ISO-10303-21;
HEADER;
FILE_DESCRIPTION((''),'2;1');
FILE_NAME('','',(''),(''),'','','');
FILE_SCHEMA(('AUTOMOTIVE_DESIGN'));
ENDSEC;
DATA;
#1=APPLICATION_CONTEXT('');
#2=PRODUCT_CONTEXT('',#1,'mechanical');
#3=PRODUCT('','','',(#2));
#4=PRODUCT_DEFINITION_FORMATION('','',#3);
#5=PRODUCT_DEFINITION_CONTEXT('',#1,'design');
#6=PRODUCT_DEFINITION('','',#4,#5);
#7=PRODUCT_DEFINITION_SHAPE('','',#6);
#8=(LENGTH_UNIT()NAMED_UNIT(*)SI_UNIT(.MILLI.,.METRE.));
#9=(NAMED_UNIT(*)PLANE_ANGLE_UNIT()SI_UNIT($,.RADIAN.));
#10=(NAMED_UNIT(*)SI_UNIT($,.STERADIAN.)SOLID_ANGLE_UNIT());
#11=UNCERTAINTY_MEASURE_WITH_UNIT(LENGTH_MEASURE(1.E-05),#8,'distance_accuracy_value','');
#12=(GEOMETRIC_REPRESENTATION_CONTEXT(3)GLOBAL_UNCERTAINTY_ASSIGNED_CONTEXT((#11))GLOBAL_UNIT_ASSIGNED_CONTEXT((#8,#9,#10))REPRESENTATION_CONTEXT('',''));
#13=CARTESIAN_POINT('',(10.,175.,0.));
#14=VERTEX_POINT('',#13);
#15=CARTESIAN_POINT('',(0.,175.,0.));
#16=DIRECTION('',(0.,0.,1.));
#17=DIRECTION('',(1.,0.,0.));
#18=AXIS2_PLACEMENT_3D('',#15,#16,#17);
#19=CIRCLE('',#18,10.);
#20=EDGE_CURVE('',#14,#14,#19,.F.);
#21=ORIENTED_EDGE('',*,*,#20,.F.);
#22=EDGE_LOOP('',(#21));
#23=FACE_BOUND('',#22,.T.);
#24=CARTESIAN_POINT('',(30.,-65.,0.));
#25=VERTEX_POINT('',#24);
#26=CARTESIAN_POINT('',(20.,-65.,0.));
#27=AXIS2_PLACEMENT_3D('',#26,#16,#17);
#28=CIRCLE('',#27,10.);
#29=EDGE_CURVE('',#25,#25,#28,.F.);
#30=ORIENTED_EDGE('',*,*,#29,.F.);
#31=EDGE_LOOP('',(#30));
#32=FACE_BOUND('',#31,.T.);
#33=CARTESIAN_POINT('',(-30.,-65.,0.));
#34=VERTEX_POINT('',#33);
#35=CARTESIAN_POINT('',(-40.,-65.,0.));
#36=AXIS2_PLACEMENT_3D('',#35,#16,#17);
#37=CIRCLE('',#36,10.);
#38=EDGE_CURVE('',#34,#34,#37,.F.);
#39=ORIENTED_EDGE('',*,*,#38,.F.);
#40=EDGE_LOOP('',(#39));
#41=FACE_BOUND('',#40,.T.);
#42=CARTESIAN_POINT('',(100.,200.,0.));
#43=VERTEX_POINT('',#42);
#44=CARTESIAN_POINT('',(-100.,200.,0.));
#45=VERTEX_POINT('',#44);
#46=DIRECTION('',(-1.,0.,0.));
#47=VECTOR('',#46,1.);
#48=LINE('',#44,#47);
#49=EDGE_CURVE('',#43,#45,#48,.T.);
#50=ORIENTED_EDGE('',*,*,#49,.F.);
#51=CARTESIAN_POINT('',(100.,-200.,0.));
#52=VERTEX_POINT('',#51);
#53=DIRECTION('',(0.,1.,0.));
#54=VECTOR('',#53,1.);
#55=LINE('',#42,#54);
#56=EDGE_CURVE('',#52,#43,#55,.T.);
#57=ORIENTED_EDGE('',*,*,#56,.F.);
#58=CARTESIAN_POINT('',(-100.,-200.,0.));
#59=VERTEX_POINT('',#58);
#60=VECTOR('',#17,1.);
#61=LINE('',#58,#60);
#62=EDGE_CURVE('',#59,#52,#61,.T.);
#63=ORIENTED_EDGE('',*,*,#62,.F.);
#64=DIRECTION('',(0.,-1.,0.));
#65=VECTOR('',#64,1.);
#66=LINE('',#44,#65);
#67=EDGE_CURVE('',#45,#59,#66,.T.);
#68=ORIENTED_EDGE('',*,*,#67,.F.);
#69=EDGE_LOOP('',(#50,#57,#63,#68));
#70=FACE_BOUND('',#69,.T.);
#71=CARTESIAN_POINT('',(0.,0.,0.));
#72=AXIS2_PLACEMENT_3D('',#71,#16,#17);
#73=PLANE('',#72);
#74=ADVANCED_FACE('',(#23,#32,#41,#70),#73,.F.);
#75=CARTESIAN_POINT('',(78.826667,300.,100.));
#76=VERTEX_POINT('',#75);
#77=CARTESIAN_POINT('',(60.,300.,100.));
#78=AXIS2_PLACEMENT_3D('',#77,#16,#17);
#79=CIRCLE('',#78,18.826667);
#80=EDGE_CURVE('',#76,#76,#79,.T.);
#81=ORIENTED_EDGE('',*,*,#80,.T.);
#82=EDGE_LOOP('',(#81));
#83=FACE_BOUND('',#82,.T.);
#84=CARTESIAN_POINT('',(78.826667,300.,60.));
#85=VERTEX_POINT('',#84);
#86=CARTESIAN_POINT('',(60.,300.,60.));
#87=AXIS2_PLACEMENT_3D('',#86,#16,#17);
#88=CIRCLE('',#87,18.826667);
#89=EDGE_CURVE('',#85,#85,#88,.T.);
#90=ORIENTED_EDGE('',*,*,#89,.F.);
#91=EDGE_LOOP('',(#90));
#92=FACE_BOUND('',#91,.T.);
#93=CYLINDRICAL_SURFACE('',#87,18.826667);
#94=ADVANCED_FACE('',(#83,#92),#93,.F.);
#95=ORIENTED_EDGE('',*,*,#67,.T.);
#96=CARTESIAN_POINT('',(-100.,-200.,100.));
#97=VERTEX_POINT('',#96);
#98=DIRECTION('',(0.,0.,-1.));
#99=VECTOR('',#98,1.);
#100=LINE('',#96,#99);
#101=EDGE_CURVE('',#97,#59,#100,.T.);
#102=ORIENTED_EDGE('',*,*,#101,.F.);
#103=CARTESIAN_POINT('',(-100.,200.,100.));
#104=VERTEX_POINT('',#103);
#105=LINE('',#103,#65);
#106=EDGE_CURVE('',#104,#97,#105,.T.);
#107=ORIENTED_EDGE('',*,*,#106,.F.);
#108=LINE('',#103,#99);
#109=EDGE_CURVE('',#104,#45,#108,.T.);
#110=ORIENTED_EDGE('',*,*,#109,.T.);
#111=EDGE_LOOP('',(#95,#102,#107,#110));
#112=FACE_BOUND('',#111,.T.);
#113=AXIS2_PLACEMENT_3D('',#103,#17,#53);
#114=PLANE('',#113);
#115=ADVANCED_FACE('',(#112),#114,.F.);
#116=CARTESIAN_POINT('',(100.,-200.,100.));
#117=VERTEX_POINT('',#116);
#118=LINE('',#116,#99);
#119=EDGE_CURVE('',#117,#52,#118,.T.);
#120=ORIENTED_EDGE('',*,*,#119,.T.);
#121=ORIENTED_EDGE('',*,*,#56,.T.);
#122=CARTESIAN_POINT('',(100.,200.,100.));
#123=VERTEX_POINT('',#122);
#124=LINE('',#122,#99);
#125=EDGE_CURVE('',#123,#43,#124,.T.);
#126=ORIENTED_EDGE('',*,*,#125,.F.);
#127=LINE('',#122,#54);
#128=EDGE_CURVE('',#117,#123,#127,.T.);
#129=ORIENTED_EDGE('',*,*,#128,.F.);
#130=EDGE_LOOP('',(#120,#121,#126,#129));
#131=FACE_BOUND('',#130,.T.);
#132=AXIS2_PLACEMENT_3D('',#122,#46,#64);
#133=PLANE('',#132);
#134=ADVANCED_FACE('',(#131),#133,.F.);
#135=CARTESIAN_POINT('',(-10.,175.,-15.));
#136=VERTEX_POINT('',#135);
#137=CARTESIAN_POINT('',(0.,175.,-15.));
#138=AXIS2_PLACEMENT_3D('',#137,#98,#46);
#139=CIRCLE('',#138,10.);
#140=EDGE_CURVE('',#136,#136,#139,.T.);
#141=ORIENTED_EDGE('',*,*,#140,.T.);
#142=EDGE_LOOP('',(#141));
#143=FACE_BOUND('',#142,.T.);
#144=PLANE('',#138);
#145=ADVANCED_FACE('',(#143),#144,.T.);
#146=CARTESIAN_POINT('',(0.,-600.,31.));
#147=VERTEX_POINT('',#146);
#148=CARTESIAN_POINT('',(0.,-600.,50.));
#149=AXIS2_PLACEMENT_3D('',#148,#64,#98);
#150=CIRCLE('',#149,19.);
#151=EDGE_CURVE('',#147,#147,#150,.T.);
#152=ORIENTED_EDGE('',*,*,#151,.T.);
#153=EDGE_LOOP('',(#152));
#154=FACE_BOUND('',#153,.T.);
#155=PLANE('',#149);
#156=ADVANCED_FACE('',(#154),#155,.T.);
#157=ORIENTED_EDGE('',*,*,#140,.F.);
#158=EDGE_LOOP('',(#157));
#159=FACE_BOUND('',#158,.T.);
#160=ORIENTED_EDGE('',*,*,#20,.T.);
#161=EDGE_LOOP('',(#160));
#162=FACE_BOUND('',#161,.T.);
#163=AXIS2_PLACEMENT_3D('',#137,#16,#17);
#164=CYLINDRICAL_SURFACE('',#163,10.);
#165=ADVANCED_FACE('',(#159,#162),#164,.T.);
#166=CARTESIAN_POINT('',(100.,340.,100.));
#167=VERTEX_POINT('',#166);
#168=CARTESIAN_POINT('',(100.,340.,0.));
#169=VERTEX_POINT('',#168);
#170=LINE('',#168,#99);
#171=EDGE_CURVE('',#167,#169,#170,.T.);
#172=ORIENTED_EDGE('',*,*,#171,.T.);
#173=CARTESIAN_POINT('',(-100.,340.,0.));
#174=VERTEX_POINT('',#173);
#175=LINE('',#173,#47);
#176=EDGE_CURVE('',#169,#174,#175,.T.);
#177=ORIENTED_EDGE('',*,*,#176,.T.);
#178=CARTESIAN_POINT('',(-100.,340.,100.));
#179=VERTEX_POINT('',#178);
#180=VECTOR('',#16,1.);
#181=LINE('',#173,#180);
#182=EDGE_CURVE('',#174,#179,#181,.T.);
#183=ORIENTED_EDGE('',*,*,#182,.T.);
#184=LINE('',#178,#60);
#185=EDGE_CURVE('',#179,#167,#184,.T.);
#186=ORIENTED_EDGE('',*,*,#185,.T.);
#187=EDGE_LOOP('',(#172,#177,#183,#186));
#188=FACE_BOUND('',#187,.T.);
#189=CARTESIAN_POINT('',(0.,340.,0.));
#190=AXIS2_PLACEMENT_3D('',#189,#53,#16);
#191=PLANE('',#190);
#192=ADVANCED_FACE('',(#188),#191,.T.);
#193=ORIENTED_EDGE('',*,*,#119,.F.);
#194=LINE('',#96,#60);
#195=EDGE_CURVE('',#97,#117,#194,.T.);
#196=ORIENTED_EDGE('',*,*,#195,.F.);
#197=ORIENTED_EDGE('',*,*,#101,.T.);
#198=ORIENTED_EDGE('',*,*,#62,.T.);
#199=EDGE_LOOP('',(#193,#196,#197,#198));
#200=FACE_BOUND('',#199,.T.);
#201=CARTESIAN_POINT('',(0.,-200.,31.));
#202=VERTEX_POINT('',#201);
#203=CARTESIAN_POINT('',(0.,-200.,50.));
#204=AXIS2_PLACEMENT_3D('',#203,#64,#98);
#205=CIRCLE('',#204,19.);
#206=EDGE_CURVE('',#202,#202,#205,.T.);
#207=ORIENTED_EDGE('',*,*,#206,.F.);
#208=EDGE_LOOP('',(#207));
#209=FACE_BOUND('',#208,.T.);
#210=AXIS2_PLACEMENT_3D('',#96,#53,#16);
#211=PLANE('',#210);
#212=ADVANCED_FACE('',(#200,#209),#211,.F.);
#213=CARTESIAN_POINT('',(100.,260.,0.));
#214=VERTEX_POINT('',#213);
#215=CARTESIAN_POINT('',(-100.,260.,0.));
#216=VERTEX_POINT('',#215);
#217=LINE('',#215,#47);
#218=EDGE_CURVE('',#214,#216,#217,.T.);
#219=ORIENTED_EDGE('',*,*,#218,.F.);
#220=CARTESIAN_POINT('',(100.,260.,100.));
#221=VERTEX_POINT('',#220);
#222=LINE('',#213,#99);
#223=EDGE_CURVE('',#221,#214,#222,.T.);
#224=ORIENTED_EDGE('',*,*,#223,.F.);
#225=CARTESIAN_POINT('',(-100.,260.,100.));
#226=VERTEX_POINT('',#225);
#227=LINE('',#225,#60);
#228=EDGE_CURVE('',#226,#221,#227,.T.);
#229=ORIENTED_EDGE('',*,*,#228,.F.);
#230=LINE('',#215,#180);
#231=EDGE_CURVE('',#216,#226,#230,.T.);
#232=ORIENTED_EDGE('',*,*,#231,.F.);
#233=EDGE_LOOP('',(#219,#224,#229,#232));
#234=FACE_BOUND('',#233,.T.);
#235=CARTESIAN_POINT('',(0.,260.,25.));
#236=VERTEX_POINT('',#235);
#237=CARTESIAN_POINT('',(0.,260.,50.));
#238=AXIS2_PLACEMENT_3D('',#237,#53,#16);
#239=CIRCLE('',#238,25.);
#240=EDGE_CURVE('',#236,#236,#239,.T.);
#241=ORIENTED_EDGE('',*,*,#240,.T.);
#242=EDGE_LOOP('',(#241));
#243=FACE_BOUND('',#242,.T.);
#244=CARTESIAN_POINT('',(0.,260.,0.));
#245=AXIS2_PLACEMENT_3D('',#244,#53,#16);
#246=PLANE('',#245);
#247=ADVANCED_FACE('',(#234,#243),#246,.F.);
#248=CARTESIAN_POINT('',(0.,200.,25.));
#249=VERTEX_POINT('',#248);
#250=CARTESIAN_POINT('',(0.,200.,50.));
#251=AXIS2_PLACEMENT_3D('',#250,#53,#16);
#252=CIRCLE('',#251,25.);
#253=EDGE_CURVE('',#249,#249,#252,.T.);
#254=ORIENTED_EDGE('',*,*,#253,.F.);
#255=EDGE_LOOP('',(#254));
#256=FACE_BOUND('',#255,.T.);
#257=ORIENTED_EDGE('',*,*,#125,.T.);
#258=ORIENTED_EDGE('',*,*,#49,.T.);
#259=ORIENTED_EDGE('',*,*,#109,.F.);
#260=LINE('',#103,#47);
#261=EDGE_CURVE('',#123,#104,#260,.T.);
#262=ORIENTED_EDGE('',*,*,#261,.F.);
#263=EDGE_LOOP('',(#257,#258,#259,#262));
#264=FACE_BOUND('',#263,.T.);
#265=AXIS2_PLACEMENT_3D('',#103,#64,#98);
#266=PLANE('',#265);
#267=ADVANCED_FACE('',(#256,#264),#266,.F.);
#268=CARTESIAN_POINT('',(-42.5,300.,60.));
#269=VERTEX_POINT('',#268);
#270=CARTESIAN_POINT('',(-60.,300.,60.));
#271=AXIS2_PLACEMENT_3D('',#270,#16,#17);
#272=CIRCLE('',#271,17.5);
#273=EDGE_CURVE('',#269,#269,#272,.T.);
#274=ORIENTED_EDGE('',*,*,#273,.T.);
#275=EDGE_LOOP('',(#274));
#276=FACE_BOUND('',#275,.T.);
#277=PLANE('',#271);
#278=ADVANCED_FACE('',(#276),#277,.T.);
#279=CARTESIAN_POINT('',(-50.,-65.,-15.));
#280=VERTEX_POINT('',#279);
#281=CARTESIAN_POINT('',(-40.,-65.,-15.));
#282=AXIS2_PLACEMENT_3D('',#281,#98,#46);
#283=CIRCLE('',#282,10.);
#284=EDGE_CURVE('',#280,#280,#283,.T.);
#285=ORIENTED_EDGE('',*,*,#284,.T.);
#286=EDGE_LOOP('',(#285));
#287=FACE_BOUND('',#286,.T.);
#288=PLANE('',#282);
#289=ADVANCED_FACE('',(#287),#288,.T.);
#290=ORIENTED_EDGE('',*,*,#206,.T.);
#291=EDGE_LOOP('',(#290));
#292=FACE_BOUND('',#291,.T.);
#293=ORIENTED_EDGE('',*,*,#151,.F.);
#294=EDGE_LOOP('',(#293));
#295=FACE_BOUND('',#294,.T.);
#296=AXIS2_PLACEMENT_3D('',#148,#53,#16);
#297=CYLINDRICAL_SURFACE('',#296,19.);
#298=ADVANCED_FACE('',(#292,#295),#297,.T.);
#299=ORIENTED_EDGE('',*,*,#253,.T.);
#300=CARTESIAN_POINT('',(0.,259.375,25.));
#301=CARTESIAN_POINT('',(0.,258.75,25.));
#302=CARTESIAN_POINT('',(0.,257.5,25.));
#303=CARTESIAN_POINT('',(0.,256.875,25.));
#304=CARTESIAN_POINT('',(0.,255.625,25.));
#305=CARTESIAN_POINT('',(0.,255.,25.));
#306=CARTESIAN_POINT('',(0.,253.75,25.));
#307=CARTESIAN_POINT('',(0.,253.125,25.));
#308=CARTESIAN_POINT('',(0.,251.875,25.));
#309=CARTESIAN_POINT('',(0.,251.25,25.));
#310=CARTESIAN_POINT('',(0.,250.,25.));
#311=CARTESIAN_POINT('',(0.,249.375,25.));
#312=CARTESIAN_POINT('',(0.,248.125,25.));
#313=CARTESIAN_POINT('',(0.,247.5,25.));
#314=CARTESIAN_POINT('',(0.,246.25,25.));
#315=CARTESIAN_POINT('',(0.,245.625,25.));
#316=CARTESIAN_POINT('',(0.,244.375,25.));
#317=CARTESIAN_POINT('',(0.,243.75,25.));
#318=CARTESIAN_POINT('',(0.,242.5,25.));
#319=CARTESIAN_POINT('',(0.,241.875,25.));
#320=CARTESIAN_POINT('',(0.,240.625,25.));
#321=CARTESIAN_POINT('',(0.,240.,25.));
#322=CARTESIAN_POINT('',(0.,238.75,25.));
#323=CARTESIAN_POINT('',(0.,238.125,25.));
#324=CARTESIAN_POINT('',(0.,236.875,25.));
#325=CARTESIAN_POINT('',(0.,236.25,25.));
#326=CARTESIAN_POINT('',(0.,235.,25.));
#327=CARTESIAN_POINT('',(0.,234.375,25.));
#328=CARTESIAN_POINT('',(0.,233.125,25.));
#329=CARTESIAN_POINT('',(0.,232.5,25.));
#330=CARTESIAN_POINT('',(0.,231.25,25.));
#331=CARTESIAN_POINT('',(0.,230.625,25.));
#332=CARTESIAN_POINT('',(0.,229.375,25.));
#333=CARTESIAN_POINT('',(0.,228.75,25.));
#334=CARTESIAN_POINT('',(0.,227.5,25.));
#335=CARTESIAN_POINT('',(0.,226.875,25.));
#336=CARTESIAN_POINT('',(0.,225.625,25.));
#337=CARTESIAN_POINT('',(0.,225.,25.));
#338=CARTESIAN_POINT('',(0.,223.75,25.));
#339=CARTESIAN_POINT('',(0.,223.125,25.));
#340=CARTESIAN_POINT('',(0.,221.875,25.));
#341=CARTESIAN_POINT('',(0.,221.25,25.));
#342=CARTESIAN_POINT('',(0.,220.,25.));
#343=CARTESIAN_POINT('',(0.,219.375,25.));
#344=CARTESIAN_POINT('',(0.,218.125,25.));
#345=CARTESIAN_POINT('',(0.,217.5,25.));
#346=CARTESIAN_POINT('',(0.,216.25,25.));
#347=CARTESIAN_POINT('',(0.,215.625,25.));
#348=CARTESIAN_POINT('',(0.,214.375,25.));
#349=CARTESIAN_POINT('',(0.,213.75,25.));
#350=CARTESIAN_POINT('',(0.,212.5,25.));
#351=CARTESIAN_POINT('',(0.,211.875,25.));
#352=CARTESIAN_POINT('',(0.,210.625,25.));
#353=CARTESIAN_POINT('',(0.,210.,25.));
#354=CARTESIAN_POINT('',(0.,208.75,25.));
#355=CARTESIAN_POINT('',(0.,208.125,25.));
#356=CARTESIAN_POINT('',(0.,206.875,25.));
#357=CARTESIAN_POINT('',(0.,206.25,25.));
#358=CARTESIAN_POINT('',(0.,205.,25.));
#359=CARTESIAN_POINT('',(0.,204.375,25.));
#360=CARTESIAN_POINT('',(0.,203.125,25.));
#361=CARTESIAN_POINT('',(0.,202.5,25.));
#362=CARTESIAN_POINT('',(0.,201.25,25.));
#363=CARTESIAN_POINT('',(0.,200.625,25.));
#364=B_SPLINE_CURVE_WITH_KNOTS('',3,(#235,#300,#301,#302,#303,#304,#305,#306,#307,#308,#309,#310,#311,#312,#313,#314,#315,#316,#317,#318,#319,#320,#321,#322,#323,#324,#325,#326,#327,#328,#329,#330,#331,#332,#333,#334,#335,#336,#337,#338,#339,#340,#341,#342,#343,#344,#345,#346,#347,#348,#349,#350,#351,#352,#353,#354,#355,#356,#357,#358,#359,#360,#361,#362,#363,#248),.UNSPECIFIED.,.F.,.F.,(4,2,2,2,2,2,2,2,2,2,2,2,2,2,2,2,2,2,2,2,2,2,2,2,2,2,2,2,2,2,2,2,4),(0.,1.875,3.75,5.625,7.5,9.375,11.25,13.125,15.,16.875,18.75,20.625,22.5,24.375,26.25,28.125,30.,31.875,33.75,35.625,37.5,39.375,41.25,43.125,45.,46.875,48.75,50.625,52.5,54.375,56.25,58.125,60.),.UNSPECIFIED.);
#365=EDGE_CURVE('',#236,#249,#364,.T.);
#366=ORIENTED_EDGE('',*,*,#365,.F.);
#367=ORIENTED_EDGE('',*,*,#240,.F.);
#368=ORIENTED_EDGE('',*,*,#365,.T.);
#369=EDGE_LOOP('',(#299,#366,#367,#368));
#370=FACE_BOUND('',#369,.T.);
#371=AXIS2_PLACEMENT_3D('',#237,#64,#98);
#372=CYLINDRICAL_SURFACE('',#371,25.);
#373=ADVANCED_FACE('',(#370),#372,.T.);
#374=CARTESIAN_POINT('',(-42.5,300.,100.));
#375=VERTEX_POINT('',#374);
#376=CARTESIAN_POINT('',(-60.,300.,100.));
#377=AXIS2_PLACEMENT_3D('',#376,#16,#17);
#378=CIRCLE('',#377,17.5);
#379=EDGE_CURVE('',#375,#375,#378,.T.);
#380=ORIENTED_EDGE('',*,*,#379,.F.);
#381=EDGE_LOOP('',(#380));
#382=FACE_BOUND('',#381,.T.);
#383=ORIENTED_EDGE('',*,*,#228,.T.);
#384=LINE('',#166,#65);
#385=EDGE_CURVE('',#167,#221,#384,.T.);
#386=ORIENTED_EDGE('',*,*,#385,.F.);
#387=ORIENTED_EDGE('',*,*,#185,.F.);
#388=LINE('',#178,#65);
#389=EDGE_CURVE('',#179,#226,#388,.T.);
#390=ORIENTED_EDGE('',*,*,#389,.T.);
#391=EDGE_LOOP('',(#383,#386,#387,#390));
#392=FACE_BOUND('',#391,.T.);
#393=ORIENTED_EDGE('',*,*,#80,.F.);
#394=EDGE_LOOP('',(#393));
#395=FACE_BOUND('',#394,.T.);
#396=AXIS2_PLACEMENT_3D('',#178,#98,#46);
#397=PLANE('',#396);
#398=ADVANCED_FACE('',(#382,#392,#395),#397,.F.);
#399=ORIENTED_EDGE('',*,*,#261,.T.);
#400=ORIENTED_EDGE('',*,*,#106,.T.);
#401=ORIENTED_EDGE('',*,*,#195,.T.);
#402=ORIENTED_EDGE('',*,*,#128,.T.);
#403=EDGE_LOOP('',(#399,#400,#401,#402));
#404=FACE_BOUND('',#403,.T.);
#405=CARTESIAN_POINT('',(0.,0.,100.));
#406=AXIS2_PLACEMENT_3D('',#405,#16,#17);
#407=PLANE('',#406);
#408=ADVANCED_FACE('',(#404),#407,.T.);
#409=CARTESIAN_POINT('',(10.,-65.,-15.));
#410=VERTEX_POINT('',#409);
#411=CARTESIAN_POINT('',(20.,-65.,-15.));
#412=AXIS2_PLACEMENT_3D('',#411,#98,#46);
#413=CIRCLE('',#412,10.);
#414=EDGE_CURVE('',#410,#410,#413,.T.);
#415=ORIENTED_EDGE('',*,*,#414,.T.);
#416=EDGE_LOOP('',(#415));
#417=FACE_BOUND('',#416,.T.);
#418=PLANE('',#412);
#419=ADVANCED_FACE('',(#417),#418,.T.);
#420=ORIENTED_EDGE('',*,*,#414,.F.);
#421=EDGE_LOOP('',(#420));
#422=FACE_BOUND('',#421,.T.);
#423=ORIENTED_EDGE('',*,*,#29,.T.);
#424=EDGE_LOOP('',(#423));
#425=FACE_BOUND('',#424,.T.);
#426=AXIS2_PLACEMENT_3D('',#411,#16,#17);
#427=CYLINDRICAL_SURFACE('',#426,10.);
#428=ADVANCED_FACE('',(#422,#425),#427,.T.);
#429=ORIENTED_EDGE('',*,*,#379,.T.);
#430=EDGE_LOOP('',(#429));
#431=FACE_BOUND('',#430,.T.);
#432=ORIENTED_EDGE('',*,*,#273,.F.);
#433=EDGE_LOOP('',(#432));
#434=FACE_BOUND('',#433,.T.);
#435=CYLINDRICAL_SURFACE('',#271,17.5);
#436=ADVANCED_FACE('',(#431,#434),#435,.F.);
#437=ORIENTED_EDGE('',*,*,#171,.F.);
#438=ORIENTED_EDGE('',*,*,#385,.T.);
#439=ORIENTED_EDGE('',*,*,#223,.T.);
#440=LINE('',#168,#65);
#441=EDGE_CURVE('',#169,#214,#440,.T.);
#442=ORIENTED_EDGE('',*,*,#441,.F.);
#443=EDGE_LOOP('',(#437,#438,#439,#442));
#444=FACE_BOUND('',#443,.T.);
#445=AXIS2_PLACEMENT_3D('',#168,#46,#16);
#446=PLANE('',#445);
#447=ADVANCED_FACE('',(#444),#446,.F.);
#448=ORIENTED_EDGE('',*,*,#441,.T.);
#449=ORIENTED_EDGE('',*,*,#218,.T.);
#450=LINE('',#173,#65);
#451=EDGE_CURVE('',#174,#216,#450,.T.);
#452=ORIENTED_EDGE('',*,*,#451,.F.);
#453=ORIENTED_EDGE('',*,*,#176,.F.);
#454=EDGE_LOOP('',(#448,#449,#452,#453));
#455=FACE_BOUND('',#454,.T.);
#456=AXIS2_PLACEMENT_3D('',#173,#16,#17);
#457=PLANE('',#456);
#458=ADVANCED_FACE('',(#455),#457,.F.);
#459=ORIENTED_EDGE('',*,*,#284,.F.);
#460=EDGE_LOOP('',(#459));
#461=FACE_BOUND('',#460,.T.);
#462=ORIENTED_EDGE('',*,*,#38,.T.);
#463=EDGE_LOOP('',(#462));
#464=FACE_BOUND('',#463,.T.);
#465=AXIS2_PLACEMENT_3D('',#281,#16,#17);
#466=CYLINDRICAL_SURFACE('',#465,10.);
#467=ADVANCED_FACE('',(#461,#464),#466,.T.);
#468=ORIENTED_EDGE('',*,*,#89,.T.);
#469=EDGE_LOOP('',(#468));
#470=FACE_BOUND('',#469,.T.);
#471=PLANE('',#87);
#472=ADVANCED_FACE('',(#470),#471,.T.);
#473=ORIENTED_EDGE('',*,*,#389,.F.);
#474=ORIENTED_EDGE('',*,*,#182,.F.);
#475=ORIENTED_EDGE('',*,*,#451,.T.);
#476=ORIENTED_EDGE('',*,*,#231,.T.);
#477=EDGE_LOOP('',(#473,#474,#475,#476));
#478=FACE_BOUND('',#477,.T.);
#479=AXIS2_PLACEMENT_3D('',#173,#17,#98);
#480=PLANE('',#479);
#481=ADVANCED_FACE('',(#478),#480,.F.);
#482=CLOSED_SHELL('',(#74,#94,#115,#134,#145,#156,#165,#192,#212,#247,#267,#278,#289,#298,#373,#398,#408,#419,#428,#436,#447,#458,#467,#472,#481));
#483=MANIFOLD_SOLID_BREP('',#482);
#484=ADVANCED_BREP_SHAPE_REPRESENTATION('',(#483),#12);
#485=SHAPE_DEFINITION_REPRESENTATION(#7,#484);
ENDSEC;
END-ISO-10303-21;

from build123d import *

# Parameters (mm, degrees)
SKETCH1_W           = 200
SKETCH1_H           = 400
BOSS_EXTRUDE1_DEPTH = 100
SKETCH2_R           = 25
BOSS_EXTRUDE2_DEPTH = 60
SKETCH3_W           = 200
SKETCH3_H           = 100
BOSS_EXTRUDE3_DEPTH = 80
SKETCH4_R           = 17.5
SKETCH4_R_2         = 18.82666719
CUT_EXTRUDE1_DEPTH  = 40
SKETCH5_R           = 19
BOSS_EXTRUDE4_DEPTH = 400
SKETCH7_R           = 10
BOSS_EXTRUDE5_DEPTH = 15


with BuildPart() as part:
    # Sketch1 → Boss-Extrude1 (new body)
    with BuildSketch(Plane.XY):
        Rectangle(SKETCH1_W, SKETCH1_H)
    extrude(amount=BOSS_EXTRUDE1_DEPTH)

    # Sketch2 → Boss-Extrude2 (add)
    with BuildSketch(Plane(origin=(0, 200, 0), x_dir=(1, 0, 0), z_dir=(0, 1, 0))):
        with Locations(Location((0, -50, 0), (0, 0, 90))):
            Circle(SKETCH2_R)
    extrude(amount=BOSS_EXTRUDE2_DEPTH)

    # Sketch3 → Boss-Extrude3 (add)
    with BuildSketch(Plane(origin=(0, 260, 0), x_dir=(1, 0, 0), z_dir=(0, 1, 0))):
        with Locations((0, -50)):
            Rectangle(SKETCH3_W, SKETCH3_H)
    extrude(amount=BOSS_EXTRUDE3_DEPTH)

    # Sketch4 → Cut-Extrude1 (cut)
    with BuildSketch(Plane.XY.offset(100)):
        with Locations((-60, 300)):
            Circle(SKETCH4_R)
        with Locations((60, 300)):
            Circle(SKETCH4_R_2)
    extrude(amount=-CUT_EXTRUDE1_DEPTH, mode=Mode.SUBTRACT)

    # Sketch5 → Boss-Extrude4 (add)
    with BuildSketch(Plane.XZ.offset(200)):
        with Locations(Location((0, 50, 0), (0, 0, 270))):
            Circle(SKETCH5_R)
    extrude(amount=BOSS_EXTRUDE4_DEPTH)

    # Sketch7 → Boss-Extrude5 (add)
    with BuildSketch(Plane(origin=(0, 0, 0), x_dir=(-1, 0, 0), z_dir=(0, 0, -1))):
        with Locations(Location((0, 175, 0), (0, 0, 180))):
            Circle(SKETCH7_R)
        with Locations(Location((-20, -65, 0), (0, 0, 180))):
            Circle(SKETCH7_R)
        with Locations(Location((40, -65, 0), (0, 0, 180))):
            Circle(SKETCH7_R)
    extrude(amount=BOSS_EXTRUDE5_DEPTH)


solid = part.part
